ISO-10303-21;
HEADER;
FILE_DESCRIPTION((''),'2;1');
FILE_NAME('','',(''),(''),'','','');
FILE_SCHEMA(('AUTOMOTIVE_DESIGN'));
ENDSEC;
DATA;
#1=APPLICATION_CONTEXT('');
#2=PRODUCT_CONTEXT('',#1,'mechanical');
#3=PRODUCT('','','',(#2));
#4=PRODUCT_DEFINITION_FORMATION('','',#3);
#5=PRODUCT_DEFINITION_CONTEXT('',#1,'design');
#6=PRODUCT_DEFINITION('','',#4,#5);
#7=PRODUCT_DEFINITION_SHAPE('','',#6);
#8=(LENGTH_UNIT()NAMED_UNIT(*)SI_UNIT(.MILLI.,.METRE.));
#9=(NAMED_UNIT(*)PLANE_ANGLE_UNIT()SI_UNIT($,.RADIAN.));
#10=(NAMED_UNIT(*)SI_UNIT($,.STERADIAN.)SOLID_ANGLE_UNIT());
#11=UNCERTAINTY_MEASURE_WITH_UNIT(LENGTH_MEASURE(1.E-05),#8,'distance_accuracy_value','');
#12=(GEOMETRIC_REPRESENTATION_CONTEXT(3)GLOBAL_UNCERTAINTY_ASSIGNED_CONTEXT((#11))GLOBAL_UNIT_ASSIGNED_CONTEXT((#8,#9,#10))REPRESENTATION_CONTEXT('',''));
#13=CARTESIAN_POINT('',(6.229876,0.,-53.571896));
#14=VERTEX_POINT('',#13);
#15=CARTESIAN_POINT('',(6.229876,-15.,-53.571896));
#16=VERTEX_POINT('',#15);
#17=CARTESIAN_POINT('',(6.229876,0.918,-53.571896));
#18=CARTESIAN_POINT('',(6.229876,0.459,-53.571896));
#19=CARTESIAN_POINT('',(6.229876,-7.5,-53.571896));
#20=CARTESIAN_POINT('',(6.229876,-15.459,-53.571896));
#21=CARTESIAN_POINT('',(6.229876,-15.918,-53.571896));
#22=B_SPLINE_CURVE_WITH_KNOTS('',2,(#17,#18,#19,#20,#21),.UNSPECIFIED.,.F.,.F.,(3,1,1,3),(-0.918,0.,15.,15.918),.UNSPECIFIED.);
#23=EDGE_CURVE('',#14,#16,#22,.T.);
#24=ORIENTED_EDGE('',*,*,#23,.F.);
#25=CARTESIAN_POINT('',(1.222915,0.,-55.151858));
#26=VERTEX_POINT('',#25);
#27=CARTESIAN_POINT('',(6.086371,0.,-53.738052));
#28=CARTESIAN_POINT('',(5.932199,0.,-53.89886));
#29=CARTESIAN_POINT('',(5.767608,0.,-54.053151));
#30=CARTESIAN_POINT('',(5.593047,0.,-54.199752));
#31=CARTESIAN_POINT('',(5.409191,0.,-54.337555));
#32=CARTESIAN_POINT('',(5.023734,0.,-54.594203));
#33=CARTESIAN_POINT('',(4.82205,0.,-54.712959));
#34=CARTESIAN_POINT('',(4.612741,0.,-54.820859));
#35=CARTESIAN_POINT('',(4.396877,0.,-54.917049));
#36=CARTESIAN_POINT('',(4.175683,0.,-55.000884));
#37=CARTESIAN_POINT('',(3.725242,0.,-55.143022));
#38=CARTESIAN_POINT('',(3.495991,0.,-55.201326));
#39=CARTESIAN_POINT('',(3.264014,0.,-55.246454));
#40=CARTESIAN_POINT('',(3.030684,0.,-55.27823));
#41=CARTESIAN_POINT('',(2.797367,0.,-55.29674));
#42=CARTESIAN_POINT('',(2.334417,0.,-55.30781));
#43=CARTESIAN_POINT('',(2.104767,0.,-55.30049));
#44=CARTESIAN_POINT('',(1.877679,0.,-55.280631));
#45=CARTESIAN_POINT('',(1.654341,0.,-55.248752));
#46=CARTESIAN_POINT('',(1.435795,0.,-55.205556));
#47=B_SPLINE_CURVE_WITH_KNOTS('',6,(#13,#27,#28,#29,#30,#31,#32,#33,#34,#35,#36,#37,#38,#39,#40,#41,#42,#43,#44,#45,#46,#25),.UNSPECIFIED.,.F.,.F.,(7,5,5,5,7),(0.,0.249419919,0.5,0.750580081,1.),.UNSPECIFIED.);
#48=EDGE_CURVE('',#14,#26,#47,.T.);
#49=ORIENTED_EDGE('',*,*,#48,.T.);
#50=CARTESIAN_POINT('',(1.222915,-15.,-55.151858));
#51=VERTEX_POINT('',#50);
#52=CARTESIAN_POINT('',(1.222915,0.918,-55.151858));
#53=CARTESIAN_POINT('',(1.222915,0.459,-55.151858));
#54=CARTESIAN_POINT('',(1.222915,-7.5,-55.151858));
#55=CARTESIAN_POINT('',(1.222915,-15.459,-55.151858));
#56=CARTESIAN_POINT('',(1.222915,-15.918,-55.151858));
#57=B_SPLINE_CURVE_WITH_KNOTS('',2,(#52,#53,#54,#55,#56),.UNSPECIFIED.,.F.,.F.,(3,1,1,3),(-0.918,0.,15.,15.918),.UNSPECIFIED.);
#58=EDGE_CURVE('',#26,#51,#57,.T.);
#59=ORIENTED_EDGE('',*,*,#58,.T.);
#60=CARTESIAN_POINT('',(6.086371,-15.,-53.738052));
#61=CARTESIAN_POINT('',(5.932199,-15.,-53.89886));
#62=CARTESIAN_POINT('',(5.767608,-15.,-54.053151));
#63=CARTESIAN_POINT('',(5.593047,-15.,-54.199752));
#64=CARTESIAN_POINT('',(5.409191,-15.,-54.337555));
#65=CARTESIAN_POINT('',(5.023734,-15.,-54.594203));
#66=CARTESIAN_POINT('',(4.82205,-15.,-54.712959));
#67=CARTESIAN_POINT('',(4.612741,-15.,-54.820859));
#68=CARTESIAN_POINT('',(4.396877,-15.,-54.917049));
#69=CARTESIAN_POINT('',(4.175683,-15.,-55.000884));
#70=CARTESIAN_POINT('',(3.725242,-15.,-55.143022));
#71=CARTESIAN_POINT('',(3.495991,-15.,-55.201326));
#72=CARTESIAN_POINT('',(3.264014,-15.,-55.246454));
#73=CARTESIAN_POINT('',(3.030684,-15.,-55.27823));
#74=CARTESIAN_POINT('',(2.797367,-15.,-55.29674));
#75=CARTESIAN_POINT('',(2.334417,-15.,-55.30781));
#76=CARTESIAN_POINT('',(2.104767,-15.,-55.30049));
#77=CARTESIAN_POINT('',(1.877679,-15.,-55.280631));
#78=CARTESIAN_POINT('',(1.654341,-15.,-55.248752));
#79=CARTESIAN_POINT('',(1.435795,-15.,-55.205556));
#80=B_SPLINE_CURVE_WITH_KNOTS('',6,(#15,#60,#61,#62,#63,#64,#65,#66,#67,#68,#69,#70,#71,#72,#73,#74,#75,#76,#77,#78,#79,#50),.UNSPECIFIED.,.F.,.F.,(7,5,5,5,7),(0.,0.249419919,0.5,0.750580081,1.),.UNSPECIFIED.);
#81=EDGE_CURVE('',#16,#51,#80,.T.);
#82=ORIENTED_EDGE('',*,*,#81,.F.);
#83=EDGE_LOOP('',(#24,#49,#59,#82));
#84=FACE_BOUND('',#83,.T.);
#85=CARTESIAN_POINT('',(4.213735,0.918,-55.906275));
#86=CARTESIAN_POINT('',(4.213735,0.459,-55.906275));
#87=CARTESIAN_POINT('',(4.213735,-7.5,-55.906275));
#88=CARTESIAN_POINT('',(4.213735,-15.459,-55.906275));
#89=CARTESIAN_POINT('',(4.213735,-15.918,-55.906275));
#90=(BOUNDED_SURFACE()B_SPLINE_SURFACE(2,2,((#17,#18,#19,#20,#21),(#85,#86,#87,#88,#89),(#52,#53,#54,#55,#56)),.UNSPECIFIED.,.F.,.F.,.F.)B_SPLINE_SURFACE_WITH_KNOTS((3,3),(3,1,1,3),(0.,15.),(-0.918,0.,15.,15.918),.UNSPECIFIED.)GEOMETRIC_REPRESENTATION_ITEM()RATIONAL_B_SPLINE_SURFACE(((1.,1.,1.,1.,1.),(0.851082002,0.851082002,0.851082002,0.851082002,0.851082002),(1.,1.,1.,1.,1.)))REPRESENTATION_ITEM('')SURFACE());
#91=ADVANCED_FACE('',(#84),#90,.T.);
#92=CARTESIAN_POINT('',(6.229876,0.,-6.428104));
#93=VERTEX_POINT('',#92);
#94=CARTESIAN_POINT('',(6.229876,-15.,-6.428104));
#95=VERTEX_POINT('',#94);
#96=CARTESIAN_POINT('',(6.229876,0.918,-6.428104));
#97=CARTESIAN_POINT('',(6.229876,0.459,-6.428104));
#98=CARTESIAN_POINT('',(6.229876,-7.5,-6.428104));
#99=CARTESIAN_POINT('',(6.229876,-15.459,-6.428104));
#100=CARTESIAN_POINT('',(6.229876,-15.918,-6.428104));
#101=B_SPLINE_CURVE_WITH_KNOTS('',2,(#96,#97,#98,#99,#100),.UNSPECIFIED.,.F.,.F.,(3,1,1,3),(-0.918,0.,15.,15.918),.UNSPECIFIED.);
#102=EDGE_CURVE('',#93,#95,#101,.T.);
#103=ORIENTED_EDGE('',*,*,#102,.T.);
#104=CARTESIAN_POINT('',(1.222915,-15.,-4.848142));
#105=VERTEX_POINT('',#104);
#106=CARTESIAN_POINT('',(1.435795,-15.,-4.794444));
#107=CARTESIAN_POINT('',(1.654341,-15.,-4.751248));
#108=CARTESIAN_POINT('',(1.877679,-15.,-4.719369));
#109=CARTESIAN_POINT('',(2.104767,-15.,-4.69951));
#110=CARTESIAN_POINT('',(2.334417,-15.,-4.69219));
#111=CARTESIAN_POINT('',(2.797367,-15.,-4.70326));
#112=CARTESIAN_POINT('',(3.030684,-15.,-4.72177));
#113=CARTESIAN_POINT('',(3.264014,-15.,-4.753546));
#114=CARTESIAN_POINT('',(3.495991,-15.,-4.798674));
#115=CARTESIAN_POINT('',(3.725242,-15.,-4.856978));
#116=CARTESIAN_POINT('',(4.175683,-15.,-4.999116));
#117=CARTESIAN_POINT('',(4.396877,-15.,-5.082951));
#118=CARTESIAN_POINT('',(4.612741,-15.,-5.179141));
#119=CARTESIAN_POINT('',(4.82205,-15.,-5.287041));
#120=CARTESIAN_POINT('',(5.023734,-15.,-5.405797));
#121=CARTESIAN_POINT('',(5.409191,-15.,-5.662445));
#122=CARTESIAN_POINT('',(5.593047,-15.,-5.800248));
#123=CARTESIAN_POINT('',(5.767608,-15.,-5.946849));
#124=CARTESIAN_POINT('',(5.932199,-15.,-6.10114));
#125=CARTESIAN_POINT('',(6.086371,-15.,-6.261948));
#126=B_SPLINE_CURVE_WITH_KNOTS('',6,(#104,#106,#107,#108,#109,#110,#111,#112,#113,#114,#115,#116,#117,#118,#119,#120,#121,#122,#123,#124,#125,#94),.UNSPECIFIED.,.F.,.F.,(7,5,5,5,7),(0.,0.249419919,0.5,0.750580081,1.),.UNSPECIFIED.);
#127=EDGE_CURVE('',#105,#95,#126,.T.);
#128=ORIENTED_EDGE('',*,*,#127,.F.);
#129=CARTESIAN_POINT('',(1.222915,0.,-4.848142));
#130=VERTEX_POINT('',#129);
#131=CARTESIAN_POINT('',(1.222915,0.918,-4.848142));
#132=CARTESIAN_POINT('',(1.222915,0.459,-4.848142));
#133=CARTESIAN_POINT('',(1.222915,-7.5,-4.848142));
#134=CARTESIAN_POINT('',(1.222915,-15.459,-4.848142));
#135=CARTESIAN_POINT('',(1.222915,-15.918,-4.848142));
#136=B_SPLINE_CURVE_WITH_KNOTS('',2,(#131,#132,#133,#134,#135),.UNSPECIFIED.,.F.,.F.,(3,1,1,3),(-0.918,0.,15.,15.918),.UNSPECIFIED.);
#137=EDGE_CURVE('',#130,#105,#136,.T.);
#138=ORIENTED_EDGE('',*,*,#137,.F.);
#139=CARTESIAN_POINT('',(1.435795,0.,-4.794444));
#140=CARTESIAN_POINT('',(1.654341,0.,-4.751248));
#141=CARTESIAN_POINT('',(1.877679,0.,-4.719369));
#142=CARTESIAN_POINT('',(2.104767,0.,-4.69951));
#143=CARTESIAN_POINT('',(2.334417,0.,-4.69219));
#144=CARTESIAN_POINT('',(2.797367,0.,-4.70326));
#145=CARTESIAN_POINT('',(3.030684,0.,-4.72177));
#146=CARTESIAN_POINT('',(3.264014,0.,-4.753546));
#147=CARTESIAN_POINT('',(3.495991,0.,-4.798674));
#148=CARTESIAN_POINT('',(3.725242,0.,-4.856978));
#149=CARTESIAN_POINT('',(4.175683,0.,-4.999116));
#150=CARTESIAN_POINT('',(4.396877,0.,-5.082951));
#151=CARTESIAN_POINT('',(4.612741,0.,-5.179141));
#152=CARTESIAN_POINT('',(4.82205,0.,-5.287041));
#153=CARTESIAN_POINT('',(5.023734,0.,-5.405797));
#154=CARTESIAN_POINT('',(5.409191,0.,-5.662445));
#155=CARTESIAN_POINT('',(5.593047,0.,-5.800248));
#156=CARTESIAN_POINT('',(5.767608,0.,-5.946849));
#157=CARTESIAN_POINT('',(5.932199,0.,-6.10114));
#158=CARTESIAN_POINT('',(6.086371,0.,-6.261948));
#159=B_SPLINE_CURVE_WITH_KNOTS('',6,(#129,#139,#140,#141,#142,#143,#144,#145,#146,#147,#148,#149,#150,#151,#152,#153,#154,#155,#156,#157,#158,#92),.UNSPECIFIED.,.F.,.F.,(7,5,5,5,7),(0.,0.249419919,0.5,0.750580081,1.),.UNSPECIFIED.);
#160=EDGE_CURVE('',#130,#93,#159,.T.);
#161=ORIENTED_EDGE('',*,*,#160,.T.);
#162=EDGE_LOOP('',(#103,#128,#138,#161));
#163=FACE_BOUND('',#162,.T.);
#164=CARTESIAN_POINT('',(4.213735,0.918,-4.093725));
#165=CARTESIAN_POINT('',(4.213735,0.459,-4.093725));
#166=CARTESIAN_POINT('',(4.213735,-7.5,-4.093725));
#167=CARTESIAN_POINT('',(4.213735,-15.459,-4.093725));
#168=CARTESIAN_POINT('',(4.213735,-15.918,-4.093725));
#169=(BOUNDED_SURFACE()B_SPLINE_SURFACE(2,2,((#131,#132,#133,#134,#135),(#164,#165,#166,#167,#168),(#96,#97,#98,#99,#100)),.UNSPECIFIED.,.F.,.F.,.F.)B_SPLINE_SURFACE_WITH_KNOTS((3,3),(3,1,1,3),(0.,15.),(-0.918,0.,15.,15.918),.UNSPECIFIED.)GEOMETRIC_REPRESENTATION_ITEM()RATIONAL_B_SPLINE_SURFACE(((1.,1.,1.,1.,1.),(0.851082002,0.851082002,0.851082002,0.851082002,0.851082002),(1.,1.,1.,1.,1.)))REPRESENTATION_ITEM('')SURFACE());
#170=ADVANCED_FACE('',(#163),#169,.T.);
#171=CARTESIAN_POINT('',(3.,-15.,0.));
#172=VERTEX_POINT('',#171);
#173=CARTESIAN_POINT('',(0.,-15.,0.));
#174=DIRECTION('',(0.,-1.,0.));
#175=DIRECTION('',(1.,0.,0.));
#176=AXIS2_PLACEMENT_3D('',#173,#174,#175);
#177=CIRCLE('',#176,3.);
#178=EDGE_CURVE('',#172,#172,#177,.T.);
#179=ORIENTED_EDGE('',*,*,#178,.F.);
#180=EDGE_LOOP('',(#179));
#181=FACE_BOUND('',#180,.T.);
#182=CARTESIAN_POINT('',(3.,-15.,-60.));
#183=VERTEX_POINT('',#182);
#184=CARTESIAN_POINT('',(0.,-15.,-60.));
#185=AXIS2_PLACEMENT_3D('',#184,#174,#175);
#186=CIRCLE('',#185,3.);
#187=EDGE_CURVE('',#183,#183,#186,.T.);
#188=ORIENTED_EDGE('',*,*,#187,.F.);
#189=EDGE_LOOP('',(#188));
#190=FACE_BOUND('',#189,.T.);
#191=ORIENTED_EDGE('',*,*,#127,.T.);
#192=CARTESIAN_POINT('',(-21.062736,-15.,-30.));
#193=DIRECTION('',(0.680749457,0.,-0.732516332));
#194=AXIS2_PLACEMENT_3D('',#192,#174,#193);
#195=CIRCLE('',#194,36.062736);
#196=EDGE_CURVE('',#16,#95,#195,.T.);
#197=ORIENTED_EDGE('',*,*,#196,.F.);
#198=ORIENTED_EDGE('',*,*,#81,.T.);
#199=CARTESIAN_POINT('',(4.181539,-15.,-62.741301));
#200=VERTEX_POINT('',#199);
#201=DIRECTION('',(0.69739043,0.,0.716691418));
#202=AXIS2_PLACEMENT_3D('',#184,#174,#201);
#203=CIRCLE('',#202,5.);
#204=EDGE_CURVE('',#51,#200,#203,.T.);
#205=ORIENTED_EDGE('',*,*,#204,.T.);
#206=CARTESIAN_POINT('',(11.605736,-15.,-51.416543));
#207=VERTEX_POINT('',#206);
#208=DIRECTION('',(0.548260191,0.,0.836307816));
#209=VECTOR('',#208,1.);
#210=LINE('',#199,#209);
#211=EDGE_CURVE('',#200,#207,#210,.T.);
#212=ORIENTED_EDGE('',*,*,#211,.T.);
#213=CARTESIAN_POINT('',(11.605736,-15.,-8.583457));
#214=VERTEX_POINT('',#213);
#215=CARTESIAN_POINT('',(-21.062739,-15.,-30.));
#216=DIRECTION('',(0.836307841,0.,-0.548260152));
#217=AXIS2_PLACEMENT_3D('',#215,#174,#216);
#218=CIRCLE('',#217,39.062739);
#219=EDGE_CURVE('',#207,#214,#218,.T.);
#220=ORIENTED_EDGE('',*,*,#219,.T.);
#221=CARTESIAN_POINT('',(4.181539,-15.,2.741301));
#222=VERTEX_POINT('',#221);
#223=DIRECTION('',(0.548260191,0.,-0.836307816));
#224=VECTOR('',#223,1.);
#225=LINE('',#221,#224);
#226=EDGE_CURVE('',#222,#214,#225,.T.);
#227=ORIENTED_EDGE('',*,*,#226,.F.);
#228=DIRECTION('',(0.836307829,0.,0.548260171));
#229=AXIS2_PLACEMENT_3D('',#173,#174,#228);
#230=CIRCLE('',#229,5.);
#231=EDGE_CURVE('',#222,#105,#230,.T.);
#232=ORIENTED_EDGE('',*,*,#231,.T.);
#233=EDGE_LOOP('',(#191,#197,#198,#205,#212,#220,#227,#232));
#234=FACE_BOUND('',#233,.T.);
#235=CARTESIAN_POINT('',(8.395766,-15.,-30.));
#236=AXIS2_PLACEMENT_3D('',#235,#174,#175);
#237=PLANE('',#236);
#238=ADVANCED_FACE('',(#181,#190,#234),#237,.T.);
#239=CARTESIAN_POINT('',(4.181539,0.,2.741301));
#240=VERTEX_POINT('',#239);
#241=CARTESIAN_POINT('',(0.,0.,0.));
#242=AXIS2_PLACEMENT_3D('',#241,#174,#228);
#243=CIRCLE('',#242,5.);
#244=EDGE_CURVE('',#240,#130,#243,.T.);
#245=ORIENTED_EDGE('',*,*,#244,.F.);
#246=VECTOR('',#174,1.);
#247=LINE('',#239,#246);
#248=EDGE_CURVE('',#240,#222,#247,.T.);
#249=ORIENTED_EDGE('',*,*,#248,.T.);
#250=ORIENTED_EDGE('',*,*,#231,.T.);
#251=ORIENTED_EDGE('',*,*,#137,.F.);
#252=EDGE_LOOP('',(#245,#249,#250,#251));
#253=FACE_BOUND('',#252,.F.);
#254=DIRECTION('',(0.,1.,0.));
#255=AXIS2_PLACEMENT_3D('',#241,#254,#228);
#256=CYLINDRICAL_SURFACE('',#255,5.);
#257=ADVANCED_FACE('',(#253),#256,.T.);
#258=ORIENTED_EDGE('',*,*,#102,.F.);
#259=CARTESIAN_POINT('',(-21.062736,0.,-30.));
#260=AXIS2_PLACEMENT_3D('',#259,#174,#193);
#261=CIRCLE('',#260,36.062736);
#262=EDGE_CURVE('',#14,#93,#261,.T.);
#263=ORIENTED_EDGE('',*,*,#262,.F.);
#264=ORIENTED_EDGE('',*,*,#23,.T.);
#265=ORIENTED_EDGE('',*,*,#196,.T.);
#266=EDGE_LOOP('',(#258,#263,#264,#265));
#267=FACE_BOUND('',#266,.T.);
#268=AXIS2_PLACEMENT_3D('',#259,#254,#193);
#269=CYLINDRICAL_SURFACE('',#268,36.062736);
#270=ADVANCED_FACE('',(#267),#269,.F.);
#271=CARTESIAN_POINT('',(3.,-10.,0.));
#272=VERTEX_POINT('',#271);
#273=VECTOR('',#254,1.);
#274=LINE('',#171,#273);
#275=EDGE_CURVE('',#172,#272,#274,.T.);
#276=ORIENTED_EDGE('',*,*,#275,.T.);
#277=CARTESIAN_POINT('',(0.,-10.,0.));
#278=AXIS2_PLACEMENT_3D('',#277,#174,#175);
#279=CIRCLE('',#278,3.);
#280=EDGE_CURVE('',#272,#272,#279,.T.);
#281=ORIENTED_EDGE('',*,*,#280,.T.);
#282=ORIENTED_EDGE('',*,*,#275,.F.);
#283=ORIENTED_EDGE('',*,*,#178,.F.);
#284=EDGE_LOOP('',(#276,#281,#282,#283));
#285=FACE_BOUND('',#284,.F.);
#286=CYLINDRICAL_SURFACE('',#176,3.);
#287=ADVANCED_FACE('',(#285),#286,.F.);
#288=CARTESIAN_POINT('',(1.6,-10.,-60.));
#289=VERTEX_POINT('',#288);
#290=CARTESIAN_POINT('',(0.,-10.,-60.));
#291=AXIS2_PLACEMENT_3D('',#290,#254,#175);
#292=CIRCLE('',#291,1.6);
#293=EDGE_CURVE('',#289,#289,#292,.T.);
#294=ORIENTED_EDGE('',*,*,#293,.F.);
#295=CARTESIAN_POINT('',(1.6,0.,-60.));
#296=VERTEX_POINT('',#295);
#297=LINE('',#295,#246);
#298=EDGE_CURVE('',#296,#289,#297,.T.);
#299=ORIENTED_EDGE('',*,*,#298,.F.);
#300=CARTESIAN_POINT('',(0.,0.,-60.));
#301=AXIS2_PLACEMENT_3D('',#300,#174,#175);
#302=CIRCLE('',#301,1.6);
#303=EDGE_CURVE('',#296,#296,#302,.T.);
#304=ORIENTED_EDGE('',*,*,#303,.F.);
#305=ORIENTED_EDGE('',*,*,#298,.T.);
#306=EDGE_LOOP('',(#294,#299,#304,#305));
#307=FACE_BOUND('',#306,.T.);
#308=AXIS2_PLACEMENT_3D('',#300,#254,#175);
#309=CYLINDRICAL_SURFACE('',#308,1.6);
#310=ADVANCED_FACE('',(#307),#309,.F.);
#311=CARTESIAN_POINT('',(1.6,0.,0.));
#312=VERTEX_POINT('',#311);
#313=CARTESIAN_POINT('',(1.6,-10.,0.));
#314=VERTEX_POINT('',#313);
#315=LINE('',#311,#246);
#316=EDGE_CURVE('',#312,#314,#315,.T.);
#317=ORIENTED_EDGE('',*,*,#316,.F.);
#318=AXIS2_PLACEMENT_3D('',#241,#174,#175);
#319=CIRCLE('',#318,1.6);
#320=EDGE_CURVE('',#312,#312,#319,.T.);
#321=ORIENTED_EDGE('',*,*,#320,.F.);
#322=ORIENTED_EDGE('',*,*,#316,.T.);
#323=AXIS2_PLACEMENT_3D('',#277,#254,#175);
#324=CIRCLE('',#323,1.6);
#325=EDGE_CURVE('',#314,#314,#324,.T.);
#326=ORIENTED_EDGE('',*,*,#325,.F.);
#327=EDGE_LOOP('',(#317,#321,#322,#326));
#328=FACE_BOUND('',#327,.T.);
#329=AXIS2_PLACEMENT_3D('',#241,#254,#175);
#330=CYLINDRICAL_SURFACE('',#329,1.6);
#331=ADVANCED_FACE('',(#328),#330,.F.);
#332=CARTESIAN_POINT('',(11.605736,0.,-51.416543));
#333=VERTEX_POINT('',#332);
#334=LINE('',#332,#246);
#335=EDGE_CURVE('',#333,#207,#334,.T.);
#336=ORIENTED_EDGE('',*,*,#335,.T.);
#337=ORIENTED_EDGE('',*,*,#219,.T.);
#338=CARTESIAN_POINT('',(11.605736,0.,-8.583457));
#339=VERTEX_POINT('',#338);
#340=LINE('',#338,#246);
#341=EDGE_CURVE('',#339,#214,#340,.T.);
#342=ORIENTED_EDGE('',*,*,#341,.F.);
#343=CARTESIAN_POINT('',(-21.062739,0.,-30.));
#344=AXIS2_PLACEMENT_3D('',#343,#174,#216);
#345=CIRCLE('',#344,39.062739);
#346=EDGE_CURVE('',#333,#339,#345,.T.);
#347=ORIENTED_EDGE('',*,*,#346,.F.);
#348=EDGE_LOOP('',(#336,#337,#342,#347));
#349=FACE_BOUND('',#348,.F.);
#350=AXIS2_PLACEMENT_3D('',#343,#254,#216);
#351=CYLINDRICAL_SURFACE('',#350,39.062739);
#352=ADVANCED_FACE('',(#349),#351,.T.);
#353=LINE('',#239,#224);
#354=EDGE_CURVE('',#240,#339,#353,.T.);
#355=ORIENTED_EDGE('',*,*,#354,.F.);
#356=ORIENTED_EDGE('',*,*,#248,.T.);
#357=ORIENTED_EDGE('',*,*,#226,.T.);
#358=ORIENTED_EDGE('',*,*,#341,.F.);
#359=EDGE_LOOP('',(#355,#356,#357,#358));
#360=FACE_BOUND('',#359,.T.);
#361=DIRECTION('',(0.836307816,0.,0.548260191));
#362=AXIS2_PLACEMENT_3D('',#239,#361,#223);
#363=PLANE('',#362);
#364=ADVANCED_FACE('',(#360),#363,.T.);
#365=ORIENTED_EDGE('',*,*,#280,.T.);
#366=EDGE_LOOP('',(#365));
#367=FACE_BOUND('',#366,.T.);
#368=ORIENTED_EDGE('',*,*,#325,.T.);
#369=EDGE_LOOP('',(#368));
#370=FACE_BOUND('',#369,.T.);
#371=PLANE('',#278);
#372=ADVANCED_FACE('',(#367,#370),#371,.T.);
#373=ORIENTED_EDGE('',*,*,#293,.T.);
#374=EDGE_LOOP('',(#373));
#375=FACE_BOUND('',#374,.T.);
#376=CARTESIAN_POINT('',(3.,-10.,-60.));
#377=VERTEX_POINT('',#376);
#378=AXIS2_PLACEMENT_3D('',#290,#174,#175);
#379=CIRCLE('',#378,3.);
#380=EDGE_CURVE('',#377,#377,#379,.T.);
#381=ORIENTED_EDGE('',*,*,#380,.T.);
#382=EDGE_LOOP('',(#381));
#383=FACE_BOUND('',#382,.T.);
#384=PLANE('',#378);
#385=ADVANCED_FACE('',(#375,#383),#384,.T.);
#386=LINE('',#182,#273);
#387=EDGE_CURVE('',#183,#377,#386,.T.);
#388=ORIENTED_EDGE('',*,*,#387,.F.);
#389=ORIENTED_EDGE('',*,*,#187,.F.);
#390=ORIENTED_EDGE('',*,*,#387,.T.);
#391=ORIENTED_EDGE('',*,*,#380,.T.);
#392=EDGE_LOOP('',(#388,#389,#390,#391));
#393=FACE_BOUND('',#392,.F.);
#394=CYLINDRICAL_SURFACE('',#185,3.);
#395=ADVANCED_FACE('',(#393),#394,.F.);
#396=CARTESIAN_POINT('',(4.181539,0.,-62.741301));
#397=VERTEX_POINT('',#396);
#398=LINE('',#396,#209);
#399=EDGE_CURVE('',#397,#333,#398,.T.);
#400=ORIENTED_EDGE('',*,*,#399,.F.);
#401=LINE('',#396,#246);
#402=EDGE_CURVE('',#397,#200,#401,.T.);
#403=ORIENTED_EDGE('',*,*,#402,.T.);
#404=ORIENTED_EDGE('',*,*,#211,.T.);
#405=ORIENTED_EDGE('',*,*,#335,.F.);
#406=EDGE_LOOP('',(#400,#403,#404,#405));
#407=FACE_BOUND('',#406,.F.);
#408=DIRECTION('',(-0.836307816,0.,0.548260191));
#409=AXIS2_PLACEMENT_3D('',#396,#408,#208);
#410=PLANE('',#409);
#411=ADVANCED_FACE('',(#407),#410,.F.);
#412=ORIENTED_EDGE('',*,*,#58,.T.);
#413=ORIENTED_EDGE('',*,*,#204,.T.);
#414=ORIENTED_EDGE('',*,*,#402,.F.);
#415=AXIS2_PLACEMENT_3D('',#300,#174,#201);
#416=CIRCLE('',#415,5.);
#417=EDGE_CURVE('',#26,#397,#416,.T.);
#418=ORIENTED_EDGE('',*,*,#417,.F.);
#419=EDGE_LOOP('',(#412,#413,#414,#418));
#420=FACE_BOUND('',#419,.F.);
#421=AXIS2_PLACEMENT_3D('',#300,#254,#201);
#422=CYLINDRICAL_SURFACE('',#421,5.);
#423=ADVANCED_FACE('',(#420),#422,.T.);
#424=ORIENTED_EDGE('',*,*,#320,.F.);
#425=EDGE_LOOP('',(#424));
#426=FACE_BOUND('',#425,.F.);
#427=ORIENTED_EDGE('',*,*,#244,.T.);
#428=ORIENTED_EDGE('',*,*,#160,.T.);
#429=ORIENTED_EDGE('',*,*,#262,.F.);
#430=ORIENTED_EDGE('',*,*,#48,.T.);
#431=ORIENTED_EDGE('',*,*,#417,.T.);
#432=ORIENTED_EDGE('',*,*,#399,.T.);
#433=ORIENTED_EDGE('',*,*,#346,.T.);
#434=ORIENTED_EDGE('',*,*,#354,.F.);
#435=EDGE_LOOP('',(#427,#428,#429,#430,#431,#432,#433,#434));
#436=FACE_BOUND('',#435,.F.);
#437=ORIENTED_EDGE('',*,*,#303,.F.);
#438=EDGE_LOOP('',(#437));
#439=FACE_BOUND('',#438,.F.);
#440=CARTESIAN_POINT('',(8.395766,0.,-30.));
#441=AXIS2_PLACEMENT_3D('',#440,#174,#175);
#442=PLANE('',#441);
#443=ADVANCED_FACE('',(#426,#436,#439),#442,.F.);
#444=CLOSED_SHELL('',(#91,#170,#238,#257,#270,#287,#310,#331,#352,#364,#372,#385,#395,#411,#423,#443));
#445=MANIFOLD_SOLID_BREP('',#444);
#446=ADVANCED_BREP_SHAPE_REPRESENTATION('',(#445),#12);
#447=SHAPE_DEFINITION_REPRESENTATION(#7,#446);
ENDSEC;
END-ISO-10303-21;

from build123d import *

# Parameters (mm, degrees)
SKETCH_R     = 1.6
PAD_DEPTH    = 15
FILLET_R     = 5
SKETCH001_R  = 3
POCKET_DEPTH = 5


with BuildPart() as part:
    # Sketch → Pad (new body)
    with BuildSketch(Plane.XZ):
        with BuildLine():
            ThreePointArc((4.181539, 2.741301), (-4.970119, 0.54582), (3.486952, -3.583457))
            ThreePointArc((3.486952, -56.416543), (15, -30), (3.486952, -3.583457))
            ThreePointArc((3.486952, -56.416543), (-4.970119, -60.54582), (4.181539, -62.741301))
            Line((4.181539, -62.741301), (11.605736, -51.416543))
            ThreePointArc((11.605736, -51.416543), (18, -30), (11.605736, -8.583457))
            Line((4.181539, 2.741301), (11.605736, -8.583457))
        make_face()
        Circle(SKETCH_R, mode=Mode.SUBTRACT)
        with Locations((0, -60)):
            Circle(SKETCH_R, mode=Mode.SUBTRACT)
    extrude(amount=PAD_DEPTH)

    # Fillet
    fillet_edges = [part.edges().sort_by_distance(p)[0] for p in [
        (3.486952, -7.5, -3.583457),
        (3.486952, -7.5, -56.416543),
    ]]
    fillet(fillet_edges, radius=FILLET_R)

    # Sketch001 (on Face5 of Fillet) → Pocket (cut)
    with BuildSketch(Plane.XZ.offset(15)):
        Circle(SKETCH001_R)
        with Locations((0, -60)):
            Circle(SKETCH001_R)
    extrude(amount=-POCKET_DEPTH, mode=Mode.SUBTRACT)


solid = part.part
